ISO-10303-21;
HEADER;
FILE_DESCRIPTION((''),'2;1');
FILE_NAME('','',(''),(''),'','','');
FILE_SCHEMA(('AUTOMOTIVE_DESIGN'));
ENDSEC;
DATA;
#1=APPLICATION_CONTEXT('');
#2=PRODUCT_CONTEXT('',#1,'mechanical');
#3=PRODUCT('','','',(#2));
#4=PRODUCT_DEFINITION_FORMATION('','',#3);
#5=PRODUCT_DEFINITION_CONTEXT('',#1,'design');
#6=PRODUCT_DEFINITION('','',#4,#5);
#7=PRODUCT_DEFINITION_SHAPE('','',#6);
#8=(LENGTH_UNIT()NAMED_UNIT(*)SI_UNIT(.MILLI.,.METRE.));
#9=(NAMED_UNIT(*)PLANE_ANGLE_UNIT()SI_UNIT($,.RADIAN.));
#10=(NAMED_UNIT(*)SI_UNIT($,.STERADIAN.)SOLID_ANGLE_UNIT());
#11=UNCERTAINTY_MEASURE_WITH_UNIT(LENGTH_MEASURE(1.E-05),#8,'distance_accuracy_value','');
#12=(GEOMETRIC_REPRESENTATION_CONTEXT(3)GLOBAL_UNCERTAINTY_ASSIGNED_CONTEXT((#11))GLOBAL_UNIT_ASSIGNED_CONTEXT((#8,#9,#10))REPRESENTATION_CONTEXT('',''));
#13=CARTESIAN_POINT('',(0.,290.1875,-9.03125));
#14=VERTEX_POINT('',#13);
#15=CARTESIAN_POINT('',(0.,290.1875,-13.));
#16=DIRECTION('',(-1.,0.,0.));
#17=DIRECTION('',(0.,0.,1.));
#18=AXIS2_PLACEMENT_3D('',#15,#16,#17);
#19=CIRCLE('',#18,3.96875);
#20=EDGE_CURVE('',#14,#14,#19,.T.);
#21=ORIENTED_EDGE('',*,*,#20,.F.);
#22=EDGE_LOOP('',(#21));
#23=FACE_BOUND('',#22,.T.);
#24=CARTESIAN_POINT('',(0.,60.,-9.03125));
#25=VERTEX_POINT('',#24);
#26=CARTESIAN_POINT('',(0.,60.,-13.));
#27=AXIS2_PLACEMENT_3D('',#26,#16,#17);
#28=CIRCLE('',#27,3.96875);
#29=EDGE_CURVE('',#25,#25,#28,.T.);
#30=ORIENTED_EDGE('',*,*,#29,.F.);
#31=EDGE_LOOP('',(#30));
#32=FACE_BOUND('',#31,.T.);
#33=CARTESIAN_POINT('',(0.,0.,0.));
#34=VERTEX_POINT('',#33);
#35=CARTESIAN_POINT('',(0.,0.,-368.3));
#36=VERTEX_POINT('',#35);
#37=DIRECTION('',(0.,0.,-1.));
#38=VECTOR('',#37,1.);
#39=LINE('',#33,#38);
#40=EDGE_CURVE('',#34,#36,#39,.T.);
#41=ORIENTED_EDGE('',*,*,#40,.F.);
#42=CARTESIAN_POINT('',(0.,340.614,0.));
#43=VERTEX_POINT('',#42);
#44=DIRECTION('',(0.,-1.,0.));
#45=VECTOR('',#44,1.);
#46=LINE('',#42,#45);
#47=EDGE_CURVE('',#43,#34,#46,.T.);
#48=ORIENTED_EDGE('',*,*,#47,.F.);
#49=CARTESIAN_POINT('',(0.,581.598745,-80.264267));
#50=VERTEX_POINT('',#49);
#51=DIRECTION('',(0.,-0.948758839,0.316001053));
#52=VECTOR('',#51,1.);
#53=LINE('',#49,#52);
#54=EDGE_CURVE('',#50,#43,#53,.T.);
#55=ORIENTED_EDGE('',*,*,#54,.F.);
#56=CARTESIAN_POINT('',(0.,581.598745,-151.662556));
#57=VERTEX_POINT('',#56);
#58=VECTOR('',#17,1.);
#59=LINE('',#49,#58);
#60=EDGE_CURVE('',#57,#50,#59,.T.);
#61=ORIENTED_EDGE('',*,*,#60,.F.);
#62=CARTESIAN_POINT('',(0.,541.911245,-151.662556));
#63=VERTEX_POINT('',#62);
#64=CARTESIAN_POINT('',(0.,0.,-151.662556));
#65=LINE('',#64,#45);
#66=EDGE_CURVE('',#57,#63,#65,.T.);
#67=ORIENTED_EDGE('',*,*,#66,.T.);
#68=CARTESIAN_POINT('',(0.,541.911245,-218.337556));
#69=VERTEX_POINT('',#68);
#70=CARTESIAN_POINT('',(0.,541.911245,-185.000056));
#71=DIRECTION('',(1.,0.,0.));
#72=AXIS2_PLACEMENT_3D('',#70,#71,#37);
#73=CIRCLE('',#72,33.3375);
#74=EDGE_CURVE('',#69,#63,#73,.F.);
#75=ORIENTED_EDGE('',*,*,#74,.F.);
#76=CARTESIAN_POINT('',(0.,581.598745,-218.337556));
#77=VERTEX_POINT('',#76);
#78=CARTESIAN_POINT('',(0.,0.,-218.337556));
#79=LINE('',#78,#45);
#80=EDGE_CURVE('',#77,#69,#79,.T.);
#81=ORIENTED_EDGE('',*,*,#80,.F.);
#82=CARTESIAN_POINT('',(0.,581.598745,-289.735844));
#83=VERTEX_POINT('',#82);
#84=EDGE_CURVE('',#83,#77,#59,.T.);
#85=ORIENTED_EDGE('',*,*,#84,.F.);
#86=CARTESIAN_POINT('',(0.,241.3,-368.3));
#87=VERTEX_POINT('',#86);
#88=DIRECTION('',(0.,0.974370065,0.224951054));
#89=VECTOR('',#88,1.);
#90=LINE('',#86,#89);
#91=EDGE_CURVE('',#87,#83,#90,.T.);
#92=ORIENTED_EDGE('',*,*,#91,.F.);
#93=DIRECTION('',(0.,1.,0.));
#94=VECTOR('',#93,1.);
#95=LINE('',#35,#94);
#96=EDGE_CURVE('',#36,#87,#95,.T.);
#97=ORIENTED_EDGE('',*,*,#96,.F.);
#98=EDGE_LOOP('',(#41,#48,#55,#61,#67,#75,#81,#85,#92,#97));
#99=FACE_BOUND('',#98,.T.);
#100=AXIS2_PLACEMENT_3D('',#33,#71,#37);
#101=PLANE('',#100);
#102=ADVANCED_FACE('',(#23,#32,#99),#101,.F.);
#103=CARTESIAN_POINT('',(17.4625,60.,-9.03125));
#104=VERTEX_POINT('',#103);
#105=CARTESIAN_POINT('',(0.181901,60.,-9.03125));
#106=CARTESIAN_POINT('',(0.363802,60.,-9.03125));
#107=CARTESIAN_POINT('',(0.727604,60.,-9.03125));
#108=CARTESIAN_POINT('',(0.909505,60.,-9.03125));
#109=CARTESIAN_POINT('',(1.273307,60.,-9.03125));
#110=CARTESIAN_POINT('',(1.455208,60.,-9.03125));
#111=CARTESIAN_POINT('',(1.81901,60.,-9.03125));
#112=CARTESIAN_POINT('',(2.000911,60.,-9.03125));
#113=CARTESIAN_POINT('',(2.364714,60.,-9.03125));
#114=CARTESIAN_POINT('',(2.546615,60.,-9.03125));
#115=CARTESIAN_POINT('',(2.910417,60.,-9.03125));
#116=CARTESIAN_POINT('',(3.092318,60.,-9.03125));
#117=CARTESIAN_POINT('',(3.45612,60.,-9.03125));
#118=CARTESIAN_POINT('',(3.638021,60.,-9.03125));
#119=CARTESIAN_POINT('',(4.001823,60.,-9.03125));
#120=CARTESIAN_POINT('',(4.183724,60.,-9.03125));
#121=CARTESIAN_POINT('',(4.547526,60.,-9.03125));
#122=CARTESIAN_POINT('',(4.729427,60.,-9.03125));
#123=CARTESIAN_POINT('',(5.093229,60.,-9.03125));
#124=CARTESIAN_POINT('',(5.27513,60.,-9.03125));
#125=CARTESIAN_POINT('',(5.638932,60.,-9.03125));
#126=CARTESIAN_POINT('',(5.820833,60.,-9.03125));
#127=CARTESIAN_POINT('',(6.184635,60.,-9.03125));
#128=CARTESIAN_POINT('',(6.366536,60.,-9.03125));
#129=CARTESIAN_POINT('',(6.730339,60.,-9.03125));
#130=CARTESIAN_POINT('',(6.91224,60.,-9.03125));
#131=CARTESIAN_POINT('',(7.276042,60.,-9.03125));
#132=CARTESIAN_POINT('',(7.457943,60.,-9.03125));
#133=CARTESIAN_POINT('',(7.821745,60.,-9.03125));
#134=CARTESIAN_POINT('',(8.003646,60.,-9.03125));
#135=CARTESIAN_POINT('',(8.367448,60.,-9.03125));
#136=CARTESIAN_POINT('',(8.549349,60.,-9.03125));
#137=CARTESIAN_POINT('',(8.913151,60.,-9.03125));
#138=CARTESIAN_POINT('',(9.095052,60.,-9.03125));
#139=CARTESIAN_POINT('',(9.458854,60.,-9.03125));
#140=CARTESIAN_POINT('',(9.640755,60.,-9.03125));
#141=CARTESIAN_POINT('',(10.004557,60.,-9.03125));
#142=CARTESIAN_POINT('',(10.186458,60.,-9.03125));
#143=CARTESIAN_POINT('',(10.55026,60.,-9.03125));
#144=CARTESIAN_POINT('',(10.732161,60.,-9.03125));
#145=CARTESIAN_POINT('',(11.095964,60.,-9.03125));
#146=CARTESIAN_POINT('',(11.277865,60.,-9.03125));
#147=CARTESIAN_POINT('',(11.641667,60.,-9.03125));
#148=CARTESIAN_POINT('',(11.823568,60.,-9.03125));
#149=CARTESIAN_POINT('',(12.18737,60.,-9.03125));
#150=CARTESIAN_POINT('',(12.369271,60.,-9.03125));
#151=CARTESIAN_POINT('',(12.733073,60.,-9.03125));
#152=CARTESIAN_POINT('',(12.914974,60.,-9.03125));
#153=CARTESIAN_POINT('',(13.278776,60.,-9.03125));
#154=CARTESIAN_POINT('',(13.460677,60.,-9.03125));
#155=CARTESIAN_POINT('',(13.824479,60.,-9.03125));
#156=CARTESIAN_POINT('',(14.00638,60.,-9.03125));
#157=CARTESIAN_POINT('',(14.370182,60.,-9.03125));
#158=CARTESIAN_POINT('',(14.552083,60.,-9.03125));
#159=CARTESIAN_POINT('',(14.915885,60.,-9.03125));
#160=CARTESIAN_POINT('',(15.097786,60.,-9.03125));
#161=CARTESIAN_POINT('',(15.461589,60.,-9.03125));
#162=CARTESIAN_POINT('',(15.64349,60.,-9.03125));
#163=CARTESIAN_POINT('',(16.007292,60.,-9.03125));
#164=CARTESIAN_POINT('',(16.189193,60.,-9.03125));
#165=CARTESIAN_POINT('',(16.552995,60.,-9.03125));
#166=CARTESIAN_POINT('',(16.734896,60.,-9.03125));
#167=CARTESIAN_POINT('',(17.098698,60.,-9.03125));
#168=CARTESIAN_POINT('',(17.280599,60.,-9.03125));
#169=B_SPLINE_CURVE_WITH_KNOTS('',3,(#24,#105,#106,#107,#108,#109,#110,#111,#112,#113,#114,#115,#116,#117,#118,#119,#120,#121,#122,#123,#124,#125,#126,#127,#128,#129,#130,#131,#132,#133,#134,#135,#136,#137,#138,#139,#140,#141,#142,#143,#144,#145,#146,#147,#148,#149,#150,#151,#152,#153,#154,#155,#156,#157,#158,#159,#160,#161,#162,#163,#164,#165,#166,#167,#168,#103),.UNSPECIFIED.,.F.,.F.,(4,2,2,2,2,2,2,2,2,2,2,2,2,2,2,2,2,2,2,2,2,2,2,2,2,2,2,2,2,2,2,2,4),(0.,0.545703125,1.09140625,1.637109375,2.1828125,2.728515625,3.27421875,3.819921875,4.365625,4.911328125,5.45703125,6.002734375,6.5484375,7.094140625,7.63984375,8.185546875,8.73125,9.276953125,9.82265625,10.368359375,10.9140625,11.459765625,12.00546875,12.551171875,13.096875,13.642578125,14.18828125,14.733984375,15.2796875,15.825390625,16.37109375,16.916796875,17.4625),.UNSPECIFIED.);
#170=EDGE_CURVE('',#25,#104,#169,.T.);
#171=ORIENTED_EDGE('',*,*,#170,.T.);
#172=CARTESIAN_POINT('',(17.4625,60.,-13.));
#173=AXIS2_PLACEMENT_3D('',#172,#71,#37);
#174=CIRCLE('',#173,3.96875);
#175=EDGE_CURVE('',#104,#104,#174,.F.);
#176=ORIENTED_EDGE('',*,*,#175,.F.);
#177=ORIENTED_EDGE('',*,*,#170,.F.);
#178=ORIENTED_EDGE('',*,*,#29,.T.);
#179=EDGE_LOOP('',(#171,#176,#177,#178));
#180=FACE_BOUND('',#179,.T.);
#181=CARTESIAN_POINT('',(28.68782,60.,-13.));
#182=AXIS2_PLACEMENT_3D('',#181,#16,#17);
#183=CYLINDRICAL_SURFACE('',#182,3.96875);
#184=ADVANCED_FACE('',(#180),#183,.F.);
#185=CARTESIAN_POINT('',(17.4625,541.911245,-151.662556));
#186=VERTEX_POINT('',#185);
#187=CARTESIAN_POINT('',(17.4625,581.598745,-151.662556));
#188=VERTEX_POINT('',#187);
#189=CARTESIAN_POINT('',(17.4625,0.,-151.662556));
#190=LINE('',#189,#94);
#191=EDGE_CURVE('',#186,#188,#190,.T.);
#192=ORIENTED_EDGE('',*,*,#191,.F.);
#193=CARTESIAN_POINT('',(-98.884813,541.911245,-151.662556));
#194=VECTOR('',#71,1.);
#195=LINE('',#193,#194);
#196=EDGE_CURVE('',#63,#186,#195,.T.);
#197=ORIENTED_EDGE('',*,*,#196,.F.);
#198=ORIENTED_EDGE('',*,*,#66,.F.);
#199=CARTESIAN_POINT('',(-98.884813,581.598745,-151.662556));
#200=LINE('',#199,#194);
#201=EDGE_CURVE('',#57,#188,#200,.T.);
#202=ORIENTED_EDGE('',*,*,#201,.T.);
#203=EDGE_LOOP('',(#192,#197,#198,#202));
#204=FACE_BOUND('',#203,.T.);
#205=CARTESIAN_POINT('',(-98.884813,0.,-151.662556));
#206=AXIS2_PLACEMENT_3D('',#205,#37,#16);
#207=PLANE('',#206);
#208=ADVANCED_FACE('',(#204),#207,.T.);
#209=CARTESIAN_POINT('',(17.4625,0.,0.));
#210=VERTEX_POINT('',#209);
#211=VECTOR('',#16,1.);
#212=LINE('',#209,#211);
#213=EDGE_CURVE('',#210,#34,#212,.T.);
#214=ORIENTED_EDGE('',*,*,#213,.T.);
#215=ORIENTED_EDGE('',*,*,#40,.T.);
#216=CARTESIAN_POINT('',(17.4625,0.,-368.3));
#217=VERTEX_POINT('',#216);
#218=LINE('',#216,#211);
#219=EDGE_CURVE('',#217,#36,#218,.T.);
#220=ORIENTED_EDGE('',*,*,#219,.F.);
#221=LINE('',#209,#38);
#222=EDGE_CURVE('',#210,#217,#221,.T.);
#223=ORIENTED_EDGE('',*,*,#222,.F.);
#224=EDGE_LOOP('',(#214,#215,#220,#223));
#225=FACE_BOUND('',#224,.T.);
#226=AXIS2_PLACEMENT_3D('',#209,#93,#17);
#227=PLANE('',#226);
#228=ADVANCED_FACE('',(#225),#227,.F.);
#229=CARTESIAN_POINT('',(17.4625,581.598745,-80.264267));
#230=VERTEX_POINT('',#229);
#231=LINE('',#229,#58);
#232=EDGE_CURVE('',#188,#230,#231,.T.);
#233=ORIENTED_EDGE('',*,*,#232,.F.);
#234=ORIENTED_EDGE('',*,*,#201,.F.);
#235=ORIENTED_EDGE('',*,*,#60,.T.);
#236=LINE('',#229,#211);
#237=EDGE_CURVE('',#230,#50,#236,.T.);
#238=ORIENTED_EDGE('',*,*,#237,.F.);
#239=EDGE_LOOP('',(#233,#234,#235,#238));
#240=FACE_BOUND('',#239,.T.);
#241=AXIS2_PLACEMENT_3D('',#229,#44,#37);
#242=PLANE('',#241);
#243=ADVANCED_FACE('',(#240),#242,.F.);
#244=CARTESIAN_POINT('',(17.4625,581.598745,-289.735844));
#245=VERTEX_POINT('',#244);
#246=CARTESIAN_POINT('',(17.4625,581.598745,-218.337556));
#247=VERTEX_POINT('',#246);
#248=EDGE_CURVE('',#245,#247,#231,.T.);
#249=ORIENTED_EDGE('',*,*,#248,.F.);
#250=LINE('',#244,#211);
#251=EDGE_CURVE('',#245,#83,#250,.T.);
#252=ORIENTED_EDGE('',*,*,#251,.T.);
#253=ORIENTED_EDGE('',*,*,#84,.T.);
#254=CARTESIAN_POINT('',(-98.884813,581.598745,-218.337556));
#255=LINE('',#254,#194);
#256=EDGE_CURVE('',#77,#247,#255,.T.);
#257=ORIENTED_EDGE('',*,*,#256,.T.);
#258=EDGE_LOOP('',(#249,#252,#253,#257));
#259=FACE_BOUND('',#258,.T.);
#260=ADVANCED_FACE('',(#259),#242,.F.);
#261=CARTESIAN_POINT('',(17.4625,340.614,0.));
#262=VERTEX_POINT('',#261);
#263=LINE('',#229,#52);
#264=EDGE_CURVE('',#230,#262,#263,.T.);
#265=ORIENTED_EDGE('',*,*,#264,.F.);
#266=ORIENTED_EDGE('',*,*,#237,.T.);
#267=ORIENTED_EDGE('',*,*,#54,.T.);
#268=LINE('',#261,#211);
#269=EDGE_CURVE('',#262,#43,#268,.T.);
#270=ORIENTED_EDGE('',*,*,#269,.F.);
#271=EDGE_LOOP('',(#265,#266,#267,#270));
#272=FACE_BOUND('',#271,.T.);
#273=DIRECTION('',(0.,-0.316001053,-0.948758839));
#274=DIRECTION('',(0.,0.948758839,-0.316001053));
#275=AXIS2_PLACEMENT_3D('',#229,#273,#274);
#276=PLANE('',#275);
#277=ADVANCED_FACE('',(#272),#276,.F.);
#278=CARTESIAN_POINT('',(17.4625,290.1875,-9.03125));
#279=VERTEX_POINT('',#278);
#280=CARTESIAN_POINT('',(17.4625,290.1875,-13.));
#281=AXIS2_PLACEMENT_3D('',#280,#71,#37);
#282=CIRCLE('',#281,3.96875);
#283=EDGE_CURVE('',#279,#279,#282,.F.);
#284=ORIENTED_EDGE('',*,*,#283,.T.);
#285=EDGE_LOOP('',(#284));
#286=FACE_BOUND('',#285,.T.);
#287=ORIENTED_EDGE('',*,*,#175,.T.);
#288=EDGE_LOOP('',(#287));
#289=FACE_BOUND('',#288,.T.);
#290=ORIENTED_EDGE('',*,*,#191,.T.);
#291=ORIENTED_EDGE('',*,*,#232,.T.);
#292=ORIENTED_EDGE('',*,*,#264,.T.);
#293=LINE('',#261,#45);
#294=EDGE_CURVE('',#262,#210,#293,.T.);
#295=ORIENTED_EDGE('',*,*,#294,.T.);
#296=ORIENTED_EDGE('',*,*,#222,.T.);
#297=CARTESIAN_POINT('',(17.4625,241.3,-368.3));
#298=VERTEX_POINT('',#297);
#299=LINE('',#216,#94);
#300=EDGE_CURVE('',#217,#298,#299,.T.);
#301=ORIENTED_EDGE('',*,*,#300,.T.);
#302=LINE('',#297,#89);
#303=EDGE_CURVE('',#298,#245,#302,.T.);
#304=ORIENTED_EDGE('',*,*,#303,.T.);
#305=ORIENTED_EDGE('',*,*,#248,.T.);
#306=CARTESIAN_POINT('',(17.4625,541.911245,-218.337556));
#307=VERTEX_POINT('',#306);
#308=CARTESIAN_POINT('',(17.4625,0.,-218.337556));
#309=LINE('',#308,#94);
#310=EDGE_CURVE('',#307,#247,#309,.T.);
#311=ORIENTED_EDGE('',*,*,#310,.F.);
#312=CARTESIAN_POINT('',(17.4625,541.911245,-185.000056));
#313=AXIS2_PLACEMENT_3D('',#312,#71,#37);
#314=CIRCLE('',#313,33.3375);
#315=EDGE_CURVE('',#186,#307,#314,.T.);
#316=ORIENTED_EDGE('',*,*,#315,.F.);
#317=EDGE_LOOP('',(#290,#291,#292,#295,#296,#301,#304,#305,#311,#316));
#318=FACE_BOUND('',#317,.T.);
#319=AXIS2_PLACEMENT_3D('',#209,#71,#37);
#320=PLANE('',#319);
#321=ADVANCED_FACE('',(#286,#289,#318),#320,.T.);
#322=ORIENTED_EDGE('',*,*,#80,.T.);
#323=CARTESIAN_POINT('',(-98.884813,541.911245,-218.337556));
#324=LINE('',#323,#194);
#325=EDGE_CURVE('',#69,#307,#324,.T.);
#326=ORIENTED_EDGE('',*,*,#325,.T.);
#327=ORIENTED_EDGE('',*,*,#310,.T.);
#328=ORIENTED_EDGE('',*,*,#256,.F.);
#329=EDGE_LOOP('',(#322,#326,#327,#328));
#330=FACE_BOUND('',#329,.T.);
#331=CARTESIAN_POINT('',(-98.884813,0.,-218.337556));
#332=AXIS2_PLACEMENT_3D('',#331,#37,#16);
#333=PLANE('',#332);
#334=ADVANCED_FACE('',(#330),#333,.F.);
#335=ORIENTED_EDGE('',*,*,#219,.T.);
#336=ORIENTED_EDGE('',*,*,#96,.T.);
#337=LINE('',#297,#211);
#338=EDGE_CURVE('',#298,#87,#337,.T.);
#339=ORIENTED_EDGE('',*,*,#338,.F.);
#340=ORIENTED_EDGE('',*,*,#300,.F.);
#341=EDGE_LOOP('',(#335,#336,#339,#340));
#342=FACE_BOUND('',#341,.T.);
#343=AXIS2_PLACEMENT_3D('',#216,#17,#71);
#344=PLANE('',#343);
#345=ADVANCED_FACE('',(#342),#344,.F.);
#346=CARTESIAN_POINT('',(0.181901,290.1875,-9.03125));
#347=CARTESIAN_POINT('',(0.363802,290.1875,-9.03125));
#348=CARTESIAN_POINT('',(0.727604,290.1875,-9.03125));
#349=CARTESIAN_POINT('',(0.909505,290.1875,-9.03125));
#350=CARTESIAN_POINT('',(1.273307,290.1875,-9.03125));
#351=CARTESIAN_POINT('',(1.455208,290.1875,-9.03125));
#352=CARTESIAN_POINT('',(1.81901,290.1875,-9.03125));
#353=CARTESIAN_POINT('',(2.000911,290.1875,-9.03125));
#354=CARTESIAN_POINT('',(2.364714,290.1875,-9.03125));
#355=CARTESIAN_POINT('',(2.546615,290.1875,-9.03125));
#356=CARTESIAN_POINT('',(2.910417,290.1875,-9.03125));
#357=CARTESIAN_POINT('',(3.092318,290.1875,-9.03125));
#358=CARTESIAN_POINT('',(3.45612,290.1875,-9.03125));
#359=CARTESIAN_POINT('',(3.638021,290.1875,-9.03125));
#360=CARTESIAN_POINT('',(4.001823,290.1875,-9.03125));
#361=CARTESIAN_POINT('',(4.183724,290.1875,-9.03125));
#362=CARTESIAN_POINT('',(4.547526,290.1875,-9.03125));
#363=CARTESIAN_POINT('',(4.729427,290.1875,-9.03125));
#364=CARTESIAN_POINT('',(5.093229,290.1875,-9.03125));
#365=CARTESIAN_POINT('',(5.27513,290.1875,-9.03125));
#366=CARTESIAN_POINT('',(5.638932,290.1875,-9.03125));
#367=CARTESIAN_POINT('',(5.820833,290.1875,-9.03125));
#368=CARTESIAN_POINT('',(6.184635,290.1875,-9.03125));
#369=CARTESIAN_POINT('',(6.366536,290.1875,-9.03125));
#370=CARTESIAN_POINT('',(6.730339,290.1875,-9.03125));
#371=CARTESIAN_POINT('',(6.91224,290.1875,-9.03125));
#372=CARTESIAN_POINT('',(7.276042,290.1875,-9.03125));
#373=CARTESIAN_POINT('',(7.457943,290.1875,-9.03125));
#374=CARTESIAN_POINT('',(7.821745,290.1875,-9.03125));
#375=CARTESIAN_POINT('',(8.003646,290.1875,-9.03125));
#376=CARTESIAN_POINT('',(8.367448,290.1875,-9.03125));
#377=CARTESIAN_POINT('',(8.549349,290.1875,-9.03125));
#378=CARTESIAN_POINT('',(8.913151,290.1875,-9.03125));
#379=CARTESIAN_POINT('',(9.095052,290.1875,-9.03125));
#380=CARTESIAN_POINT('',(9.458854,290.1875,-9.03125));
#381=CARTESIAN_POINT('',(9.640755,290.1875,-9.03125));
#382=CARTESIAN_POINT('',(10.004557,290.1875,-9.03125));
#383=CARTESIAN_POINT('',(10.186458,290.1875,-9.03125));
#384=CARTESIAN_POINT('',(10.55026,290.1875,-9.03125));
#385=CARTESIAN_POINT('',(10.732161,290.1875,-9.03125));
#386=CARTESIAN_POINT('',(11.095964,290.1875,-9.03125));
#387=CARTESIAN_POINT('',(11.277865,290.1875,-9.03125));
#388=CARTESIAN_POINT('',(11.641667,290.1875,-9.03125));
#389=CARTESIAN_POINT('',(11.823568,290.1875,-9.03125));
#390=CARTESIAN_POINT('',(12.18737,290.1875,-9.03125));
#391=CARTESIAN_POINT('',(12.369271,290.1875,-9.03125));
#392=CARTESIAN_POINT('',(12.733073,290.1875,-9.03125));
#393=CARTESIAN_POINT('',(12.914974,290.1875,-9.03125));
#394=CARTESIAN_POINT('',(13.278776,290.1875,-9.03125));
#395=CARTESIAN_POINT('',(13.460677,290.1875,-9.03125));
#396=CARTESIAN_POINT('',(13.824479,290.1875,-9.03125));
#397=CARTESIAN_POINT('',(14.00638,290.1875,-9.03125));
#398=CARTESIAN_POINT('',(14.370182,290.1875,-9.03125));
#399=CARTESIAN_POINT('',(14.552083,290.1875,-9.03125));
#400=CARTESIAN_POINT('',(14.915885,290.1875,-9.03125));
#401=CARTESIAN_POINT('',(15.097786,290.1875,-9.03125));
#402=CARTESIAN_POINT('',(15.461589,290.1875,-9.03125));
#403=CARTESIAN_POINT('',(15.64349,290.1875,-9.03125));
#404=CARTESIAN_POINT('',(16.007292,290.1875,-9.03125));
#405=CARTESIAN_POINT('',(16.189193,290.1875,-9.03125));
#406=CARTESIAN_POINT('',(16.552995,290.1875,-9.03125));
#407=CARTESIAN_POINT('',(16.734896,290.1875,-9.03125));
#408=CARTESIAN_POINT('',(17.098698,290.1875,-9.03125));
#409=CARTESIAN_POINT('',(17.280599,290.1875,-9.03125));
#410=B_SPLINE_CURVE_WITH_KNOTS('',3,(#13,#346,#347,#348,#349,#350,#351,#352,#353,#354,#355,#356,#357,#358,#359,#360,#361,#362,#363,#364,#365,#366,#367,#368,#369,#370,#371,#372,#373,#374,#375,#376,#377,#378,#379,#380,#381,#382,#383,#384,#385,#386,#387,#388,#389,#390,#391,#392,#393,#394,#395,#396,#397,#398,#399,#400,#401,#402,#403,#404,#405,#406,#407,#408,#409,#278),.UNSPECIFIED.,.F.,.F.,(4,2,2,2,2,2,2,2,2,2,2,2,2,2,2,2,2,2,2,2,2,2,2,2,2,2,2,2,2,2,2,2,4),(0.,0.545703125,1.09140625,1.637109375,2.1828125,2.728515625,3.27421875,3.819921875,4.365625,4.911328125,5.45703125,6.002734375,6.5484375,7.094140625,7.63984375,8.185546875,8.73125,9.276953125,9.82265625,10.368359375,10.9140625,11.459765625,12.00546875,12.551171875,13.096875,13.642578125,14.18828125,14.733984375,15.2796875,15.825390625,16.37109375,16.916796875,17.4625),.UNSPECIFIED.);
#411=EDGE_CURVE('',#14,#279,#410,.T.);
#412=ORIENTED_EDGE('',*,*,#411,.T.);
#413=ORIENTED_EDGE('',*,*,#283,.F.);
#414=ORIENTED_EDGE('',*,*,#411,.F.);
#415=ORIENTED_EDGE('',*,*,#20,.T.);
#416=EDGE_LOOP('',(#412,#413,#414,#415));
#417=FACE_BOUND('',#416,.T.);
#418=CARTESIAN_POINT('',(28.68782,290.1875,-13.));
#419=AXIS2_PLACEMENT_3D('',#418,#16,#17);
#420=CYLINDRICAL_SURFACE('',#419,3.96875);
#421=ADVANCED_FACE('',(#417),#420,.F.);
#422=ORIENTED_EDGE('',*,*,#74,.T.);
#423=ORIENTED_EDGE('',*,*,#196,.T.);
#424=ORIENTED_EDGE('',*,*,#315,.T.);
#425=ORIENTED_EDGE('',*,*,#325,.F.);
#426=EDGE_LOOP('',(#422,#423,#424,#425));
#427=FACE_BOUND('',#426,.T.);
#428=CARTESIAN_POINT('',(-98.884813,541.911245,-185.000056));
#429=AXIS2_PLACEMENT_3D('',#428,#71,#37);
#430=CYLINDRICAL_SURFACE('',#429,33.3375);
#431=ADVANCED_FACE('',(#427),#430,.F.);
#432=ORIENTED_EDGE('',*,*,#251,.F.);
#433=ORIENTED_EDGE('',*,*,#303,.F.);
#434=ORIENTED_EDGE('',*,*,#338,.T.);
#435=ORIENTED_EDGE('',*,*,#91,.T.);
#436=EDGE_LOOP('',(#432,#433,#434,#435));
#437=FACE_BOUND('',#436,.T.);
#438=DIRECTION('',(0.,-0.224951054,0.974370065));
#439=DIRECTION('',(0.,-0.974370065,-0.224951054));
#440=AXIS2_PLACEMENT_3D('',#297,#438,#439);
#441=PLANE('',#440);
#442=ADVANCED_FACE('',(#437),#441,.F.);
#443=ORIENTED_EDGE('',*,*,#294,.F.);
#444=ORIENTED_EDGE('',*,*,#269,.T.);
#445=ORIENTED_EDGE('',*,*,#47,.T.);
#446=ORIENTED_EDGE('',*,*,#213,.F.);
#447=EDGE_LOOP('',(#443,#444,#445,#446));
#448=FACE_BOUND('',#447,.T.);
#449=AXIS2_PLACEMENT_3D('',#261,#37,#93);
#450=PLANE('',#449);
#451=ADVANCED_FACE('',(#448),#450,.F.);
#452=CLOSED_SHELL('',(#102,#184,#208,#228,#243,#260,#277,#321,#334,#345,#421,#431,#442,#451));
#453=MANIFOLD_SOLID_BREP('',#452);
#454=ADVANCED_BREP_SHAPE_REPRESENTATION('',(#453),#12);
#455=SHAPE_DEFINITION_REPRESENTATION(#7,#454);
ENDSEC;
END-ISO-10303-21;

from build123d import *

# Parameters (mm, degrees)
BOSS_EXTRUDE1_DEPTH = 17.4625
CUT_EXTRUDE1_DEPTH  = 17.4625
SKETCH2_R           = 3.96875
CUT_EXTRUDE2_DEPTH  = 17.4625


with BuildPart() as part:
    # Sketch1 → Boss-Extrude1 (new body)
    with BuildSketch(Plane(origin=(0, 0, 0), x_dir=(0, 0, -1), z_dir=(1, 0, 0))):
        Polygon((0, 0), (368.3, 0), (368.3, 241.3), (289.73584427, 581.598745126), (80.26426737, 581.598745126), (0, 340.614), align=None)
    extrude(amount=BOSS_EXTRUDE1_DEPTH)

    # RockerBoxCutout → Cut-Extrude1 (cut)
    with BuildSketch(Plane(origin=(17.4625, 0, 0), x_dir=(0, 0, -1), z_dir=(1, 0, 0))):
        with BuildLine():
            ThreePointArc((218.33755582, 541.911245126), (185.00005582, 575.248745126), (151.66255582, 541.911245126))
            Line((151.66255582, 541.911245126), (218.33755582, 541.911245126))
        make_face()
        with BuildLine():
            Line((218.33755582, 541.911245126), (151.66255582, 541.911245126))
            ThreePointArc((151.66255582, 541.911245126), (185.00005582, 508.573745126), (218.33755582, 541.911245126))
        make_face()
        with BuildLine():
            Line((151.66255582, 581.598745126), (151.66255582, 541.911245126))
            ThreePointArc((151.66255582, 541.911245126), (185.00005582, 575.248745126), (218.33755582, 541.911245126))
            Line((218.33755582, 541.911245126), (218.33755582, 581.598745126))
            Line((218.33755582, 581.598745126), (151.66255582, 581.598745126))
        make_face()
    extrude(amount=-CUT_EXTRUDE1_DEPTH, mode=Mode.SUBTRACT)

    # Sketch2 → Cut-Extrude2 (cut)
    with BuildSketch(Plane.ZY):
        with Locations((-13, 60)):
            Circle(SKETCH2_R)
        with Locations((-13, 290.1875)):
            Circle(SKETCH2_R)
    extrude(amount=-CUT_EXTRUDE2_DEPTH, mode=Mode.SUBTRACT)


solid = part.part
